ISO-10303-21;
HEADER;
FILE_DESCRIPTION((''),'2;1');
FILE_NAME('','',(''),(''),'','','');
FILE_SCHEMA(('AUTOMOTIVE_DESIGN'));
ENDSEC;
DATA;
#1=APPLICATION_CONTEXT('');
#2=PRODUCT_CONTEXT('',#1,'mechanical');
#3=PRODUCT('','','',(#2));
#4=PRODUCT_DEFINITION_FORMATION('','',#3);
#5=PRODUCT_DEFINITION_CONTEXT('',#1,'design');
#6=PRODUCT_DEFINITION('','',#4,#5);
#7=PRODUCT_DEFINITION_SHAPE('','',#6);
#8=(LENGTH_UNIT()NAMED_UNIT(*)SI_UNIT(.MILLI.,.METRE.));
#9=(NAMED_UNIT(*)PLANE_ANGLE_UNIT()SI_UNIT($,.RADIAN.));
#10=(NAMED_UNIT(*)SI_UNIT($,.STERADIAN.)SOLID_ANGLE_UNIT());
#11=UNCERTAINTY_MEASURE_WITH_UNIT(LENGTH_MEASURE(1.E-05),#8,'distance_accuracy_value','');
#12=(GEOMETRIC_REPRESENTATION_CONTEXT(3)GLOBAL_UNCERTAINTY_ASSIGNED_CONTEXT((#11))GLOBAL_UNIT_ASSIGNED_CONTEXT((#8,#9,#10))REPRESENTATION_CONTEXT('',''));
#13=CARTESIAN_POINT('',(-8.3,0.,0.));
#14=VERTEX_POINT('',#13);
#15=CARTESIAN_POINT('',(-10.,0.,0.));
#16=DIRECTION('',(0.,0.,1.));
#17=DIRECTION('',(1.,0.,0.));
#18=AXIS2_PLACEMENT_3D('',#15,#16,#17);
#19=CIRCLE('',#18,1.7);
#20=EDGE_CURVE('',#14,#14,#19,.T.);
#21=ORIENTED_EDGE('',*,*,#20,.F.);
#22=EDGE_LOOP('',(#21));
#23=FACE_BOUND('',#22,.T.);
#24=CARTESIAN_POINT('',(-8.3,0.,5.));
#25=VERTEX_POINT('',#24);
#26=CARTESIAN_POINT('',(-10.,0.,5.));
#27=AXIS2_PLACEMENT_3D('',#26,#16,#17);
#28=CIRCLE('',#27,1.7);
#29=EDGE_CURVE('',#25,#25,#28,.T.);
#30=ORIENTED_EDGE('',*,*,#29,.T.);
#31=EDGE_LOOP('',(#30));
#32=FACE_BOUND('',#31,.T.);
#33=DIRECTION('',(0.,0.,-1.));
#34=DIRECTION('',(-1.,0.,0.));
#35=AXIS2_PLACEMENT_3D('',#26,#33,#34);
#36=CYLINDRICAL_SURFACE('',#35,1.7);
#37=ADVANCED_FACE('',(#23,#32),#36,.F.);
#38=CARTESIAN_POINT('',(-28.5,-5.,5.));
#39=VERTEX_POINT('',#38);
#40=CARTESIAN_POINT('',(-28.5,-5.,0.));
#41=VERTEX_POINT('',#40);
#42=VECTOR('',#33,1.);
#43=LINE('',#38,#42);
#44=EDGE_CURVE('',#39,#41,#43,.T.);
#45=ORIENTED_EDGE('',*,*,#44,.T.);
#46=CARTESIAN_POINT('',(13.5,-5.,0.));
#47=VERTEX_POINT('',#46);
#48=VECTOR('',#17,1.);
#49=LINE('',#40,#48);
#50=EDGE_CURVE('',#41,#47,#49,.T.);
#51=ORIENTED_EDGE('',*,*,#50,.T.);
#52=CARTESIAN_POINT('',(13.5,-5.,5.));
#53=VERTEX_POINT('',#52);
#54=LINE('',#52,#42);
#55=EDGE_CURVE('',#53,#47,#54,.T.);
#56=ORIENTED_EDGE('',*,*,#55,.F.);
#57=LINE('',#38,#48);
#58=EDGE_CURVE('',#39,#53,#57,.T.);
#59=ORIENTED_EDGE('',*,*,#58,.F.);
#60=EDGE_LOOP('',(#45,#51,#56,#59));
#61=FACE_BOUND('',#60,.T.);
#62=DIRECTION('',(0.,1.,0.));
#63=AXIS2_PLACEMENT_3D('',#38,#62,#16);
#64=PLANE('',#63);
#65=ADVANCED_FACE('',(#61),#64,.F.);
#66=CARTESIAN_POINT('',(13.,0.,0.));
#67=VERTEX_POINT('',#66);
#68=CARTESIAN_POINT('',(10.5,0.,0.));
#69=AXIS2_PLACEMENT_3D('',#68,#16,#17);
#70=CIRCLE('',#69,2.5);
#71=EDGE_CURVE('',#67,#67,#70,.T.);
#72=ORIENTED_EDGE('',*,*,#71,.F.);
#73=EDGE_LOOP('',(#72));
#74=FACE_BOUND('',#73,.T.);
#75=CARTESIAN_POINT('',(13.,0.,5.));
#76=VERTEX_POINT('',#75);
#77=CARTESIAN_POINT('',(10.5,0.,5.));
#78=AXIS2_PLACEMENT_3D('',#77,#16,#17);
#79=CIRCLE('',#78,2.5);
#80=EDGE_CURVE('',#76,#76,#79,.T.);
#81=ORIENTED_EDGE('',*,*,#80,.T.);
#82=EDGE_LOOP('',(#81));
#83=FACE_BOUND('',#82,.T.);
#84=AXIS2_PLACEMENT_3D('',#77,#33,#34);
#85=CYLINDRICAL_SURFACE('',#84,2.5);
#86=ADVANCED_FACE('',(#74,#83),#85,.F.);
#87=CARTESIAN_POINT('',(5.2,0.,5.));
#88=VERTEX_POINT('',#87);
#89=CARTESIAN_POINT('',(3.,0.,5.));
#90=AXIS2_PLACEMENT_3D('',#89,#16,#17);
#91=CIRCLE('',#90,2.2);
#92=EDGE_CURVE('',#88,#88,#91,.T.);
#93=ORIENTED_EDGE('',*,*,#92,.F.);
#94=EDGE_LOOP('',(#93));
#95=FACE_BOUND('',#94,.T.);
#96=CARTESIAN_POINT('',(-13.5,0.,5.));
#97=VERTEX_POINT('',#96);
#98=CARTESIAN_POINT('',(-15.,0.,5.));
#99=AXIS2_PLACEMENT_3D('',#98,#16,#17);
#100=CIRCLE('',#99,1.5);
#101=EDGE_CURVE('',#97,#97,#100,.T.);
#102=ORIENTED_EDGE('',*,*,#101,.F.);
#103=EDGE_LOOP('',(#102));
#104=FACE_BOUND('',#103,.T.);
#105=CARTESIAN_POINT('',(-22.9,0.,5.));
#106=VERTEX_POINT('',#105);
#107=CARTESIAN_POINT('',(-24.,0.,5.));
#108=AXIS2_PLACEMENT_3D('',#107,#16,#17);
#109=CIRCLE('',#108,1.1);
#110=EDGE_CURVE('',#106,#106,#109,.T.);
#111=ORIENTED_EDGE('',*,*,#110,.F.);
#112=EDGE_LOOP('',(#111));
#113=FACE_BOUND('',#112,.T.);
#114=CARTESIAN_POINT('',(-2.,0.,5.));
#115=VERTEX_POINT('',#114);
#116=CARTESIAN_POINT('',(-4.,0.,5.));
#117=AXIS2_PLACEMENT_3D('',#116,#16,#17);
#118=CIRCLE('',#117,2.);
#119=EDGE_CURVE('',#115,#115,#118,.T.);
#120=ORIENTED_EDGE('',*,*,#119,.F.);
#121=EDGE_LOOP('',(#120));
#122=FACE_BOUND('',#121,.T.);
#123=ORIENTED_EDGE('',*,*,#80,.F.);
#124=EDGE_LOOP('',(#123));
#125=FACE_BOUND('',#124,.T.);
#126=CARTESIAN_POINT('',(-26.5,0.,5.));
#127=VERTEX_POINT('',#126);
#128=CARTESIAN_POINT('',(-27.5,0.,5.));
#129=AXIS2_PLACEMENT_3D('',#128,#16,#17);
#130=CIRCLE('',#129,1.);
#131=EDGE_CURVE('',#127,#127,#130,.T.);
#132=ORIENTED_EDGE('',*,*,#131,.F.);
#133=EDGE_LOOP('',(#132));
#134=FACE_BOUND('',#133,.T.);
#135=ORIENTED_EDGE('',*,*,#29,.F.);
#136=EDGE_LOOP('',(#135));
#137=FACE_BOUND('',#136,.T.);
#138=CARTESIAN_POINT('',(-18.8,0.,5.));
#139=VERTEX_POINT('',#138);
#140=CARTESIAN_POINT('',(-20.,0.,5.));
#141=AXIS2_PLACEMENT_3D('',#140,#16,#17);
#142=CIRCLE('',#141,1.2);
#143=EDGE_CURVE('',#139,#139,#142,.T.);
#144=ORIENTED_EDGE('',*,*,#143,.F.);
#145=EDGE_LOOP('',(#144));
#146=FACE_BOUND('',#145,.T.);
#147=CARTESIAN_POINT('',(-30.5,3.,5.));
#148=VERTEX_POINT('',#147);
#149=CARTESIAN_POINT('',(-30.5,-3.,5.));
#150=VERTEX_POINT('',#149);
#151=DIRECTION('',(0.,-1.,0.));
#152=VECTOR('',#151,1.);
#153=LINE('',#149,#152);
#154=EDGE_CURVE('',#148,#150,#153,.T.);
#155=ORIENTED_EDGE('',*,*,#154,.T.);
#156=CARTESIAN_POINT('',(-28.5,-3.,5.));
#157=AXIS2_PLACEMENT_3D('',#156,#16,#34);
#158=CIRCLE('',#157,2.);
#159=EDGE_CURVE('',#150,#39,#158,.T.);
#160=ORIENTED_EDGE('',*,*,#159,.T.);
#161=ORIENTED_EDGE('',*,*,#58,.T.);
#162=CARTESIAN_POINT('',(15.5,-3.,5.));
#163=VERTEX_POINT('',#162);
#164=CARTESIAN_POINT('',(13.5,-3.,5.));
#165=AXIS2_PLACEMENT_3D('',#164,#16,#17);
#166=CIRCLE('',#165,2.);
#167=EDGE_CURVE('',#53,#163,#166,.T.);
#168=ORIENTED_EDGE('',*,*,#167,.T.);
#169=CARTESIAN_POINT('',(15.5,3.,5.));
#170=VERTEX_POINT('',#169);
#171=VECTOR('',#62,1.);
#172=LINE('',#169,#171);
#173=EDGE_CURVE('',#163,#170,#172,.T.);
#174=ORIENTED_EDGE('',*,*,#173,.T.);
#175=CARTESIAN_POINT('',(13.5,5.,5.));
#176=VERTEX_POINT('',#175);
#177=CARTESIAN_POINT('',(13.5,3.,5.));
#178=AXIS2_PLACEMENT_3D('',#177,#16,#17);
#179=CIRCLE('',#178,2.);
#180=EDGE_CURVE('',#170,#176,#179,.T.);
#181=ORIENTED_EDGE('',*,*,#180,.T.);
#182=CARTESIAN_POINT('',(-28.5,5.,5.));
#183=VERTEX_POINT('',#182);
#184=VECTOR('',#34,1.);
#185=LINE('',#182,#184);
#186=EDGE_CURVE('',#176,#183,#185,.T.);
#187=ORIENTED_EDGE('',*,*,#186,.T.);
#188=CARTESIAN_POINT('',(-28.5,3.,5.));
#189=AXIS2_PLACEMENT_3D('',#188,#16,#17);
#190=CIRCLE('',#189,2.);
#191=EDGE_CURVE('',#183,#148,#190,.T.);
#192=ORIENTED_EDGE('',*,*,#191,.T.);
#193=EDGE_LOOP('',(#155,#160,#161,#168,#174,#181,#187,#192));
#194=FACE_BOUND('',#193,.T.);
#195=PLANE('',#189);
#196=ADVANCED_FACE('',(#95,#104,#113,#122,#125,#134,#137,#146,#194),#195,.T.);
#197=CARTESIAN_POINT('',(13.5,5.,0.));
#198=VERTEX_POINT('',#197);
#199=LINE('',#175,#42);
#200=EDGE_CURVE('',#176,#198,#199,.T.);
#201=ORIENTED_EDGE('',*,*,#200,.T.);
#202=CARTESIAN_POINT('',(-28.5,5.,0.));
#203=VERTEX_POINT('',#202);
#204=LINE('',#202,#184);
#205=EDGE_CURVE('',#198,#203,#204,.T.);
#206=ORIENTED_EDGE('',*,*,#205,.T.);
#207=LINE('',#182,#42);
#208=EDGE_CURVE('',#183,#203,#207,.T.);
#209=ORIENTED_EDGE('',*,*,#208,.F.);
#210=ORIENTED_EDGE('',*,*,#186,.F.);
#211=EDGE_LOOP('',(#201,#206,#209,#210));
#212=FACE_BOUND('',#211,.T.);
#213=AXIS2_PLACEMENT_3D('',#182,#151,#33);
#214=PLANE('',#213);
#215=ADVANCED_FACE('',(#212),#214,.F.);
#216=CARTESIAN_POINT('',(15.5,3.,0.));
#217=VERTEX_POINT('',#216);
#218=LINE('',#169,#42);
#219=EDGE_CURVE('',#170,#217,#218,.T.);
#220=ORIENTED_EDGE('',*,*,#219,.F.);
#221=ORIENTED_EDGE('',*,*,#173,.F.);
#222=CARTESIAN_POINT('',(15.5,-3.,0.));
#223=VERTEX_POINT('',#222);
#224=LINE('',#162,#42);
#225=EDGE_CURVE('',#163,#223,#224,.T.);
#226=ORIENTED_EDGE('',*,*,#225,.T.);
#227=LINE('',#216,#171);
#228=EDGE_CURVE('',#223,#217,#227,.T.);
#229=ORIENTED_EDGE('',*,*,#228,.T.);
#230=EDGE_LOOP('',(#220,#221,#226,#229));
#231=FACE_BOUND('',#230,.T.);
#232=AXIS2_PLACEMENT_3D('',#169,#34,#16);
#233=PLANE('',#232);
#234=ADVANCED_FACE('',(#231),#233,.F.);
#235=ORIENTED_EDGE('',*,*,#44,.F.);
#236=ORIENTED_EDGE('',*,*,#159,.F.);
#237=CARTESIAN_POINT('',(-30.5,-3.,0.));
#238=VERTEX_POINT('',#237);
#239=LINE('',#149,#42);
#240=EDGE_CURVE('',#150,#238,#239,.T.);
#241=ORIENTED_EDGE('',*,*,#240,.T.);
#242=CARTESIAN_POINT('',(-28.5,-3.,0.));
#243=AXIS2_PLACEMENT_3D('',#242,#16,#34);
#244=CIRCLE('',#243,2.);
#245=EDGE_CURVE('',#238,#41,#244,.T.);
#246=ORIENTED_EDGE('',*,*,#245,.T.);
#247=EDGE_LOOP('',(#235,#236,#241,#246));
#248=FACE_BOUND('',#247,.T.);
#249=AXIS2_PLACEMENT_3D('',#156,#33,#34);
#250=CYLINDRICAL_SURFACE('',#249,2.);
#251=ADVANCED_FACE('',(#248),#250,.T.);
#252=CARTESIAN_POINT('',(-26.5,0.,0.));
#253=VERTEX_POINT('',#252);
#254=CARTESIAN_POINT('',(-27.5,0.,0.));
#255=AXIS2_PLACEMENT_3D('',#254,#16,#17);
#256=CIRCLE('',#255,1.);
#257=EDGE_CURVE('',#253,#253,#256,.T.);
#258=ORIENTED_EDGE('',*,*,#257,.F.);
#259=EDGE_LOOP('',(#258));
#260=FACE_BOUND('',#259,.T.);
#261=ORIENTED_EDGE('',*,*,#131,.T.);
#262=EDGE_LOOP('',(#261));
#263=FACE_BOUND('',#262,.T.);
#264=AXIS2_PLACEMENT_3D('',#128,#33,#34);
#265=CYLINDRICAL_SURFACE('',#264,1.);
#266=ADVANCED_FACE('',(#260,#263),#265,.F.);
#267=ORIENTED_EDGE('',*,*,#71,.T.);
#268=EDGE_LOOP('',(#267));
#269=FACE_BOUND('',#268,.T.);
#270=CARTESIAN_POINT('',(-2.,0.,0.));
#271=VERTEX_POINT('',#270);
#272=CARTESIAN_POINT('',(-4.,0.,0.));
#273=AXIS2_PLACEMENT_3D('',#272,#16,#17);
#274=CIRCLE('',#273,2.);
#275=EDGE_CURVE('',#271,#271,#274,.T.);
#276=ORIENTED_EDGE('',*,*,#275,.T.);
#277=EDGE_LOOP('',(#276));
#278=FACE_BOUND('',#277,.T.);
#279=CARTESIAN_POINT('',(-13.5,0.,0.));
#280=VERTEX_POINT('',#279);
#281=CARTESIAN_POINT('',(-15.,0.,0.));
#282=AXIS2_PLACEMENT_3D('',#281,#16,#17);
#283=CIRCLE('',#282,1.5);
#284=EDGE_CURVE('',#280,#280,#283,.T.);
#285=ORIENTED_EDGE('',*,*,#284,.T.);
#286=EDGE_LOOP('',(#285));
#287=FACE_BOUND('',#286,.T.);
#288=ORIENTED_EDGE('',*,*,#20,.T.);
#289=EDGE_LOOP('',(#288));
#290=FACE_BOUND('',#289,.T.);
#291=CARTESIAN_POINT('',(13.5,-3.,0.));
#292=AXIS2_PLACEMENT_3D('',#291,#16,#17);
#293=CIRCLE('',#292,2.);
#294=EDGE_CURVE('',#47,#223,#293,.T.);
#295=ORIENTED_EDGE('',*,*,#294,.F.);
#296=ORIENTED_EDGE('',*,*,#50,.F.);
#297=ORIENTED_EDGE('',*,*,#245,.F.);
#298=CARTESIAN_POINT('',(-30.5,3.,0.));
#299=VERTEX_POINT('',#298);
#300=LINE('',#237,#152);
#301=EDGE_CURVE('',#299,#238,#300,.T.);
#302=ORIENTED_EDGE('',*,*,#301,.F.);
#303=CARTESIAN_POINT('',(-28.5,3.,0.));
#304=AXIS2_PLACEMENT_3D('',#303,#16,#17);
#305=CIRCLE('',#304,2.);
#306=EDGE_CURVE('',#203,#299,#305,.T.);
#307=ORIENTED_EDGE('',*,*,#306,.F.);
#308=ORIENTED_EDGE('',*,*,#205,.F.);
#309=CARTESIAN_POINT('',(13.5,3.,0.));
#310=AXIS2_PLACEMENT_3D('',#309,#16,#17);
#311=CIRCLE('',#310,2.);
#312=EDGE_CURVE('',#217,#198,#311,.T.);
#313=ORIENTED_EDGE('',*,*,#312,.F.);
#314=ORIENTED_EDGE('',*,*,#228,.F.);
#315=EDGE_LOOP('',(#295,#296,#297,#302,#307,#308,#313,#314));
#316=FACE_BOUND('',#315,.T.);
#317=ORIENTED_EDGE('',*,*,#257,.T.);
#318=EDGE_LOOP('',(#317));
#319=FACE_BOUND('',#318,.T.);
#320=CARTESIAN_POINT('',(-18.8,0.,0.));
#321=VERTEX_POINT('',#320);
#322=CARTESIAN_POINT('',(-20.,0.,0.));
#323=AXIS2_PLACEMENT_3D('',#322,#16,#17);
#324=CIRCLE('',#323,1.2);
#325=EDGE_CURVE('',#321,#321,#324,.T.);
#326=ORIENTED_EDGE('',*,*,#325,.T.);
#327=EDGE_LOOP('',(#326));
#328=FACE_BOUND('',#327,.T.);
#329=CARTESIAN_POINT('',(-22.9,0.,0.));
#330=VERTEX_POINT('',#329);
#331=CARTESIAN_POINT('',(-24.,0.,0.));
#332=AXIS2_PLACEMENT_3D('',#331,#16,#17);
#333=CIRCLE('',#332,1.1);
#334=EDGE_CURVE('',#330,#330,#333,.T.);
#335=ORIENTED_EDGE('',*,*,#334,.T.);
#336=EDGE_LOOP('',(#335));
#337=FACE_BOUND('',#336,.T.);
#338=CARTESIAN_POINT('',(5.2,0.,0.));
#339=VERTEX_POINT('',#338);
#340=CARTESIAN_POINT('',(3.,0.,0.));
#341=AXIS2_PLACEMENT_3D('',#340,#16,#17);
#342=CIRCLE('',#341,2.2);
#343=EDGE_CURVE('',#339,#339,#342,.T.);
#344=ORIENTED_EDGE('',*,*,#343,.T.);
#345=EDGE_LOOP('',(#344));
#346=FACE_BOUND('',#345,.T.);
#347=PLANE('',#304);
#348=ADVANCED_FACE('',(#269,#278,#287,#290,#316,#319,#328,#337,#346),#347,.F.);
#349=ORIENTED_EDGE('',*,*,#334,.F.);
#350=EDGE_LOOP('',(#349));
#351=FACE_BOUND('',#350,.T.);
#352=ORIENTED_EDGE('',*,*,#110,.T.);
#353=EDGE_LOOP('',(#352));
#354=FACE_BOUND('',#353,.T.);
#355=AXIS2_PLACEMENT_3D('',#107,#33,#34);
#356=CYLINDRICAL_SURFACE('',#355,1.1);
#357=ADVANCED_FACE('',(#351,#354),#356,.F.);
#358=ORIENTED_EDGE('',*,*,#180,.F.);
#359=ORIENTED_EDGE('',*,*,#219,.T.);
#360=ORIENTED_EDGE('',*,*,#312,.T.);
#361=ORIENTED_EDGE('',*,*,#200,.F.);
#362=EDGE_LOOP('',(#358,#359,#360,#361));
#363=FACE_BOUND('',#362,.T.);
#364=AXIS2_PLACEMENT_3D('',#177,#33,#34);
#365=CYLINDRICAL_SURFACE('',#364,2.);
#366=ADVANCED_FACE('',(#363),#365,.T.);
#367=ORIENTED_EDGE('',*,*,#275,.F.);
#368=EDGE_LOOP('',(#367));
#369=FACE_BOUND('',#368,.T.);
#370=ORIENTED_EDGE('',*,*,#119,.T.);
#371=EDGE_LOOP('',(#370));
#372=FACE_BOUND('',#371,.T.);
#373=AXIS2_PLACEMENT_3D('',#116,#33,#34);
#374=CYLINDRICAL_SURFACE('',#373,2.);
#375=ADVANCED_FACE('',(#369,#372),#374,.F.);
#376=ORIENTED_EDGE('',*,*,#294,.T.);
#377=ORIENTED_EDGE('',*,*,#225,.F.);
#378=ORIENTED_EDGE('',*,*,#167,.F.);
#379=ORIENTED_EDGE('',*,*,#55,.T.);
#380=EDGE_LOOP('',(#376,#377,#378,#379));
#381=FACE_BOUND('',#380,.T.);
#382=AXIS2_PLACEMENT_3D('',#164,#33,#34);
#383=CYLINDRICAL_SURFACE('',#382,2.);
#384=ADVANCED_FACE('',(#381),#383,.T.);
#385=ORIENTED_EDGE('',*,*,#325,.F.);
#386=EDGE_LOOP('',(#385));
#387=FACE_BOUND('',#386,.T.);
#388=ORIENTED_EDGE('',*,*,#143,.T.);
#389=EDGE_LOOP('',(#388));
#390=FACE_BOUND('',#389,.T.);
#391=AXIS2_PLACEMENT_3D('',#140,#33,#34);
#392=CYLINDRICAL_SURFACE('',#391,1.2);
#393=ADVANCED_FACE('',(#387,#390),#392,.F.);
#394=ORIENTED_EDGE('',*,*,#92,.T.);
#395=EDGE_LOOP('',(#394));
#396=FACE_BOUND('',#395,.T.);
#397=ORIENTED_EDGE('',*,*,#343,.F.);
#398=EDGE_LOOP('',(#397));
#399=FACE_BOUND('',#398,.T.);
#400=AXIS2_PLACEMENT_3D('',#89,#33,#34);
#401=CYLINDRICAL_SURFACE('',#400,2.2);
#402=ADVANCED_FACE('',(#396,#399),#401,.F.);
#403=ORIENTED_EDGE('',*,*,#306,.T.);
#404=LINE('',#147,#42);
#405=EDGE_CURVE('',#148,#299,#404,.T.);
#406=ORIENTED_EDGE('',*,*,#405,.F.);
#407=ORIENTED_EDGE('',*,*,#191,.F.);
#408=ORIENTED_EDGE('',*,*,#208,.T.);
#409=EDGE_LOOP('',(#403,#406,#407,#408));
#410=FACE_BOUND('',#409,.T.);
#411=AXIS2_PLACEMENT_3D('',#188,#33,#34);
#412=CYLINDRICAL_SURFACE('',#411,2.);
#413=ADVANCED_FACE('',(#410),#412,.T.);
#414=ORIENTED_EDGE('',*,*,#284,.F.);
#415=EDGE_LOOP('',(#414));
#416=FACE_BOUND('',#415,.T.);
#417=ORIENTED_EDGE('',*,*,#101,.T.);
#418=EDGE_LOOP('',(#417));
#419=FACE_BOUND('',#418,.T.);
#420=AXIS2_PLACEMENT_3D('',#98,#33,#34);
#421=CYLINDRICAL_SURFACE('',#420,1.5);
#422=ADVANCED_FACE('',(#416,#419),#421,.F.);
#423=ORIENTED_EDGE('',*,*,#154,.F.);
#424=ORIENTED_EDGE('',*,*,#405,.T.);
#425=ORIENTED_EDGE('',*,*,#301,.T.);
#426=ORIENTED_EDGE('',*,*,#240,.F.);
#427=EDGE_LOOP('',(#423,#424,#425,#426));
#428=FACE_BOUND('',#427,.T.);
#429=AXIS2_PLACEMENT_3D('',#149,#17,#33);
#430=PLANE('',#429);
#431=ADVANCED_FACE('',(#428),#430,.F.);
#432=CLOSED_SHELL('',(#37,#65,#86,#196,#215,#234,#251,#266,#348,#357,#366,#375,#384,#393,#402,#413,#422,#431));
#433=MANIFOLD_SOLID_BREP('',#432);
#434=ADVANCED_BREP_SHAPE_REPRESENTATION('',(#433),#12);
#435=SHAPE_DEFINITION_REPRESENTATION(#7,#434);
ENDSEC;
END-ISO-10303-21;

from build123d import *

# Parameters (mm, degrees)
SKETCH1_R           = 2
SKETCH1_R_2         = 2.2
SKETCH1_R_3         = 2.5
SKETCH1_R_4         = 1.7
SKETCH1_R_5         = 1.5
SKETCH1_R_6         = 1.2
SKETCH1_R_7         = 1.1
SKETCH1_R_8         = 1
BOSS_EXTRUDE1_DEPTH = 5


with BuildPart() as part:
    # Sketch1 → Boss-Extrude1 (new body)
    with BuildSketch(Plane.XY):
        with BuildLine():
            Line((-30.5, -3), (-30.5, 3))
            ThreePointArc((-30.5, 3), (-29.914213562, 4.414213562), (-28.5, 5))
            Line((-28.5, 5), (13.5, 5))
            ThreePointArc((13.5, 5), (14.914213562, 4.414213562), (15.5, 3))
            Line((15.5, 3), (15.5, -3))
            ThreePointArc((15.5, -3), (14.914213562, -4.414213562), (13.5, -5))
            Line((13.5, -5), (-28.5, -5))
            ThreePointArc((-28.5, -5), (-29.914213562, -4.414213562), (-30.5, -3))
        make_face()
        with Locations((-4, 0)):
            Circle(SKETCH1_R, mode=Mode.SUBTRACT)
        with Locations((3, 0)):
            Circle(SKETCH1_R_2, mode=Mode.SUBTRACT)
        with Locations((10.5, 0)):
            Circle(SKETCH1_R_3, mode=Mode.SUBTRACT)
        with Locations((-10, 0)):
            Circle(SKETCH1_R_4, mode=Mode.SUBTRACT)
        with Locations((-15, 0)):
            Circle(SKETCH1_R_5, mode=Mode.SUBTRACT)
        with Locations((-20, 0)):
            Circle(SKETCH1_R_6, mode=Mode.SUBTRACT)
        with Locations((-24, 0)):
            Circle(SKETCH1_R_7, mode=Mode.SUBTRACT)
        with Locations((-27.5, 0)):
            Circle(SKETCH1_R_8, mode=Mode.SUBTRACT)
    extrude(amount=BOSS_EXTRUDE1_DEPTH)


solid = part.part
